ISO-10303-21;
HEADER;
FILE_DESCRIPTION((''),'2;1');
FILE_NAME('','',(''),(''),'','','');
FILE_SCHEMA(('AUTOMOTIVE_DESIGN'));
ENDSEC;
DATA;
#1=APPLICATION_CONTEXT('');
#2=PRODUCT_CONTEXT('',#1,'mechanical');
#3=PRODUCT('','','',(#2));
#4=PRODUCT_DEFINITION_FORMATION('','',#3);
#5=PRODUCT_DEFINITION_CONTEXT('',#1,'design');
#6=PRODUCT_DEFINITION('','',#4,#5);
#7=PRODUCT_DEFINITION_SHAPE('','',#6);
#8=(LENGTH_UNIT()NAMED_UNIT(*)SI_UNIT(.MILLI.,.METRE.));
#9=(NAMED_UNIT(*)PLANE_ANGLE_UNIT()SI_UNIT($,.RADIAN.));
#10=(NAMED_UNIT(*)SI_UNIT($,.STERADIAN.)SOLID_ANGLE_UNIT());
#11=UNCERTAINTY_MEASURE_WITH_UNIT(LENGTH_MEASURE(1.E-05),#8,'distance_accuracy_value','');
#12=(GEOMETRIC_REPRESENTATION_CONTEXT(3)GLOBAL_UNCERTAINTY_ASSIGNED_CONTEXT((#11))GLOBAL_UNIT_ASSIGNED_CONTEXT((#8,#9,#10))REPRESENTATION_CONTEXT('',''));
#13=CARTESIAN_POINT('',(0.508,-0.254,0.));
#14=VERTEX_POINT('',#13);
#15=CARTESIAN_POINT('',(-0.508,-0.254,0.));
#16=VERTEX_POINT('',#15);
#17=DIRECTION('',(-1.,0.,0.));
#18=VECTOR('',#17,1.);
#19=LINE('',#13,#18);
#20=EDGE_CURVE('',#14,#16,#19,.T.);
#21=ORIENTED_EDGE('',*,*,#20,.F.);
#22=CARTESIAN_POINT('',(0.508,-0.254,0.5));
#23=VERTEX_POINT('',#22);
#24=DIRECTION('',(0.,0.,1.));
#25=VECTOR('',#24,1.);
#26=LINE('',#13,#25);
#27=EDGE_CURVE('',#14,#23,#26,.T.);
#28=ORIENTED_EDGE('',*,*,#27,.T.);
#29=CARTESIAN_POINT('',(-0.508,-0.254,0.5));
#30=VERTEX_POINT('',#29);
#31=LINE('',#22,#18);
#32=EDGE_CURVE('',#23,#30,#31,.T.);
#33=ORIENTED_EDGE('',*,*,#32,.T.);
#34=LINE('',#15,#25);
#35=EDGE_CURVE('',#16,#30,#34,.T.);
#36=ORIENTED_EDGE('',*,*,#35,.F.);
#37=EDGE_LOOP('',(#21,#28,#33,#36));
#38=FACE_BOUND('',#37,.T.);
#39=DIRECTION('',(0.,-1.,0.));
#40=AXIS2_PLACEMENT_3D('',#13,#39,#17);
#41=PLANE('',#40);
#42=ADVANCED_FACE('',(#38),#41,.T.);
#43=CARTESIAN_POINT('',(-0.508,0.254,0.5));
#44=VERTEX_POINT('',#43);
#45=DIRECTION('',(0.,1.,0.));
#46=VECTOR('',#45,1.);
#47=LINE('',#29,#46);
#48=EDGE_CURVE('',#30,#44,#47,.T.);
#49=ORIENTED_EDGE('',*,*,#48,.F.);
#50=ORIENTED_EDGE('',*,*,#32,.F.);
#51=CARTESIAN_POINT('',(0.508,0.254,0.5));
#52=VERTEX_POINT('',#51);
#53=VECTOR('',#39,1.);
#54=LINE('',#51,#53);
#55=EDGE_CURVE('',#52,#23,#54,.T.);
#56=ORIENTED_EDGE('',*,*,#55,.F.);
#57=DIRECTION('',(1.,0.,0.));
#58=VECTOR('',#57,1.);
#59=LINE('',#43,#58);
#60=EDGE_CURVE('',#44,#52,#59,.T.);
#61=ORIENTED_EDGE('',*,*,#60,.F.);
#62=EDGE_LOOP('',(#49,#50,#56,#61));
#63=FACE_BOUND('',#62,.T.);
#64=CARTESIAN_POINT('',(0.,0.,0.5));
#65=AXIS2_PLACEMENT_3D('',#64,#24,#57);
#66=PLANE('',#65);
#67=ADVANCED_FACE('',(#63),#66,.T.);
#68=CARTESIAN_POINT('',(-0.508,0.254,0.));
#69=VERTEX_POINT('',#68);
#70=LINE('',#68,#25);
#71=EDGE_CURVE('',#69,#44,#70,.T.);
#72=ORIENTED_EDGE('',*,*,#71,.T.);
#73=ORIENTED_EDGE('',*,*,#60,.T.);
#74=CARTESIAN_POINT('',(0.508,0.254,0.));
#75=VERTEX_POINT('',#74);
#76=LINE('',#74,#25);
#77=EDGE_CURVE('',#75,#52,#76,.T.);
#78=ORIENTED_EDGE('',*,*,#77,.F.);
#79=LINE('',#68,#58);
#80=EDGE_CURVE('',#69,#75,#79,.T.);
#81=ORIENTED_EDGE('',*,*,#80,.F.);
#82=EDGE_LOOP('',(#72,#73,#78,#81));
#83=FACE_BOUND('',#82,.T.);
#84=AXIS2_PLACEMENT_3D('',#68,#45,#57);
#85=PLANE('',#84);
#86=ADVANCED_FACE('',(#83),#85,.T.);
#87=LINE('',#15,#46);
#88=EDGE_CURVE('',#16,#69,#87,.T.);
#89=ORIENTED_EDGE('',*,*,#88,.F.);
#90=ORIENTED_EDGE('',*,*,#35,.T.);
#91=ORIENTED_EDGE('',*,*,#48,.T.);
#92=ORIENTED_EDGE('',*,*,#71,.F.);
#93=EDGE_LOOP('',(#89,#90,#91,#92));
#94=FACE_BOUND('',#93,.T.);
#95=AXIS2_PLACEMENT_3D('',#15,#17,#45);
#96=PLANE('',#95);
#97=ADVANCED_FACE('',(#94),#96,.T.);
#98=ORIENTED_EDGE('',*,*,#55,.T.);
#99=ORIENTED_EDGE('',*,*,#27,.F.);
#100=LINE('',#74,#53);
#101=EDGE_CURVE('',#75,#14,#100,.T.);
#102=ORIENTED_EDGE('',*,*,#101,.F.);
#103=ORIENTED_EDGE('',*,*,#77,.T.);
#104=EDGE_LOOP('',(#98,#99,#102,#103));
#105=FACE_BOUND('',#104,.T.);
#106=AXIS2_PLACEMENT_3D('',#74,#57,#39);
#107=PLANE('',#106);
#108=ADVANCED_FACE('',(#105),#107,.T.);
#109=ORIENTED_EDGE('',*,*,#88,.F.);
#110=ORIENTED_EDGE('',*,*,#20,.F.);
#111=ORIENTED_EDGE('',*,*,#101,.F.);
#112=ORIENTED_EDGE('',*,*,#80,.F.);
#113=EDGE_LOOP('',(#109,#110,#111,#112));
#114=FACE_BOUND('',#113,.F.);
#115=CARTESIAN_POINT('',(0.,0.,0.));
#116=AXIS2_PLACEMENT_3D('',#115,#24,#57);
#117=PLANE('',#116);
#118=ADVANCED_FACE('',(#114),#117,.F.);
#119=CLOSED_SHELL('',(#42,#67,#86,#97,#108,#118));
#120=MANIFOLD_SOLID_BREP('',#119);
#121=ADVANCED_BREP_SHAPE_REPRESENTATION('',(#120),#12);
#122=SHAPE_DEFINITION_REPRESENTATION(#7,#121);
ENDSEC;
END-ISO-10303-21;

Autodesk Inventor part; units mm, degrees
ref_plane "YZ Plane" through (0, 0, 0) normal (1, 0, 0) x (0, 1, 0)
ref_plane "XZ Plane" through (0, 0, 0) normal (0, 1, 0) x (-1, 0, 0)
ref_plane "XY Plane" through (0, 0, 0) normal (0, 0, 1) x (1, 0, 0)
sketch "C0402, 100nF_104" plane through (0, 0, 0) normal (0, 0, 1) x (1, 0, 0)
  line L0 (0.508, -0.254) -> (-0.508, -0.254)
  line L1 (-0.508, -0.254) -> (-0.508, 0.254)
  line L2 (-0.508, 0.254) -> (0.508, 0.254)
  line L3 (0.508, 0.254) -> (0.508, -0.254)
extrude "Extrusion1" add sketch "C0402, 100nF_104" along normal blind 0.5
properties part number "100nF"
